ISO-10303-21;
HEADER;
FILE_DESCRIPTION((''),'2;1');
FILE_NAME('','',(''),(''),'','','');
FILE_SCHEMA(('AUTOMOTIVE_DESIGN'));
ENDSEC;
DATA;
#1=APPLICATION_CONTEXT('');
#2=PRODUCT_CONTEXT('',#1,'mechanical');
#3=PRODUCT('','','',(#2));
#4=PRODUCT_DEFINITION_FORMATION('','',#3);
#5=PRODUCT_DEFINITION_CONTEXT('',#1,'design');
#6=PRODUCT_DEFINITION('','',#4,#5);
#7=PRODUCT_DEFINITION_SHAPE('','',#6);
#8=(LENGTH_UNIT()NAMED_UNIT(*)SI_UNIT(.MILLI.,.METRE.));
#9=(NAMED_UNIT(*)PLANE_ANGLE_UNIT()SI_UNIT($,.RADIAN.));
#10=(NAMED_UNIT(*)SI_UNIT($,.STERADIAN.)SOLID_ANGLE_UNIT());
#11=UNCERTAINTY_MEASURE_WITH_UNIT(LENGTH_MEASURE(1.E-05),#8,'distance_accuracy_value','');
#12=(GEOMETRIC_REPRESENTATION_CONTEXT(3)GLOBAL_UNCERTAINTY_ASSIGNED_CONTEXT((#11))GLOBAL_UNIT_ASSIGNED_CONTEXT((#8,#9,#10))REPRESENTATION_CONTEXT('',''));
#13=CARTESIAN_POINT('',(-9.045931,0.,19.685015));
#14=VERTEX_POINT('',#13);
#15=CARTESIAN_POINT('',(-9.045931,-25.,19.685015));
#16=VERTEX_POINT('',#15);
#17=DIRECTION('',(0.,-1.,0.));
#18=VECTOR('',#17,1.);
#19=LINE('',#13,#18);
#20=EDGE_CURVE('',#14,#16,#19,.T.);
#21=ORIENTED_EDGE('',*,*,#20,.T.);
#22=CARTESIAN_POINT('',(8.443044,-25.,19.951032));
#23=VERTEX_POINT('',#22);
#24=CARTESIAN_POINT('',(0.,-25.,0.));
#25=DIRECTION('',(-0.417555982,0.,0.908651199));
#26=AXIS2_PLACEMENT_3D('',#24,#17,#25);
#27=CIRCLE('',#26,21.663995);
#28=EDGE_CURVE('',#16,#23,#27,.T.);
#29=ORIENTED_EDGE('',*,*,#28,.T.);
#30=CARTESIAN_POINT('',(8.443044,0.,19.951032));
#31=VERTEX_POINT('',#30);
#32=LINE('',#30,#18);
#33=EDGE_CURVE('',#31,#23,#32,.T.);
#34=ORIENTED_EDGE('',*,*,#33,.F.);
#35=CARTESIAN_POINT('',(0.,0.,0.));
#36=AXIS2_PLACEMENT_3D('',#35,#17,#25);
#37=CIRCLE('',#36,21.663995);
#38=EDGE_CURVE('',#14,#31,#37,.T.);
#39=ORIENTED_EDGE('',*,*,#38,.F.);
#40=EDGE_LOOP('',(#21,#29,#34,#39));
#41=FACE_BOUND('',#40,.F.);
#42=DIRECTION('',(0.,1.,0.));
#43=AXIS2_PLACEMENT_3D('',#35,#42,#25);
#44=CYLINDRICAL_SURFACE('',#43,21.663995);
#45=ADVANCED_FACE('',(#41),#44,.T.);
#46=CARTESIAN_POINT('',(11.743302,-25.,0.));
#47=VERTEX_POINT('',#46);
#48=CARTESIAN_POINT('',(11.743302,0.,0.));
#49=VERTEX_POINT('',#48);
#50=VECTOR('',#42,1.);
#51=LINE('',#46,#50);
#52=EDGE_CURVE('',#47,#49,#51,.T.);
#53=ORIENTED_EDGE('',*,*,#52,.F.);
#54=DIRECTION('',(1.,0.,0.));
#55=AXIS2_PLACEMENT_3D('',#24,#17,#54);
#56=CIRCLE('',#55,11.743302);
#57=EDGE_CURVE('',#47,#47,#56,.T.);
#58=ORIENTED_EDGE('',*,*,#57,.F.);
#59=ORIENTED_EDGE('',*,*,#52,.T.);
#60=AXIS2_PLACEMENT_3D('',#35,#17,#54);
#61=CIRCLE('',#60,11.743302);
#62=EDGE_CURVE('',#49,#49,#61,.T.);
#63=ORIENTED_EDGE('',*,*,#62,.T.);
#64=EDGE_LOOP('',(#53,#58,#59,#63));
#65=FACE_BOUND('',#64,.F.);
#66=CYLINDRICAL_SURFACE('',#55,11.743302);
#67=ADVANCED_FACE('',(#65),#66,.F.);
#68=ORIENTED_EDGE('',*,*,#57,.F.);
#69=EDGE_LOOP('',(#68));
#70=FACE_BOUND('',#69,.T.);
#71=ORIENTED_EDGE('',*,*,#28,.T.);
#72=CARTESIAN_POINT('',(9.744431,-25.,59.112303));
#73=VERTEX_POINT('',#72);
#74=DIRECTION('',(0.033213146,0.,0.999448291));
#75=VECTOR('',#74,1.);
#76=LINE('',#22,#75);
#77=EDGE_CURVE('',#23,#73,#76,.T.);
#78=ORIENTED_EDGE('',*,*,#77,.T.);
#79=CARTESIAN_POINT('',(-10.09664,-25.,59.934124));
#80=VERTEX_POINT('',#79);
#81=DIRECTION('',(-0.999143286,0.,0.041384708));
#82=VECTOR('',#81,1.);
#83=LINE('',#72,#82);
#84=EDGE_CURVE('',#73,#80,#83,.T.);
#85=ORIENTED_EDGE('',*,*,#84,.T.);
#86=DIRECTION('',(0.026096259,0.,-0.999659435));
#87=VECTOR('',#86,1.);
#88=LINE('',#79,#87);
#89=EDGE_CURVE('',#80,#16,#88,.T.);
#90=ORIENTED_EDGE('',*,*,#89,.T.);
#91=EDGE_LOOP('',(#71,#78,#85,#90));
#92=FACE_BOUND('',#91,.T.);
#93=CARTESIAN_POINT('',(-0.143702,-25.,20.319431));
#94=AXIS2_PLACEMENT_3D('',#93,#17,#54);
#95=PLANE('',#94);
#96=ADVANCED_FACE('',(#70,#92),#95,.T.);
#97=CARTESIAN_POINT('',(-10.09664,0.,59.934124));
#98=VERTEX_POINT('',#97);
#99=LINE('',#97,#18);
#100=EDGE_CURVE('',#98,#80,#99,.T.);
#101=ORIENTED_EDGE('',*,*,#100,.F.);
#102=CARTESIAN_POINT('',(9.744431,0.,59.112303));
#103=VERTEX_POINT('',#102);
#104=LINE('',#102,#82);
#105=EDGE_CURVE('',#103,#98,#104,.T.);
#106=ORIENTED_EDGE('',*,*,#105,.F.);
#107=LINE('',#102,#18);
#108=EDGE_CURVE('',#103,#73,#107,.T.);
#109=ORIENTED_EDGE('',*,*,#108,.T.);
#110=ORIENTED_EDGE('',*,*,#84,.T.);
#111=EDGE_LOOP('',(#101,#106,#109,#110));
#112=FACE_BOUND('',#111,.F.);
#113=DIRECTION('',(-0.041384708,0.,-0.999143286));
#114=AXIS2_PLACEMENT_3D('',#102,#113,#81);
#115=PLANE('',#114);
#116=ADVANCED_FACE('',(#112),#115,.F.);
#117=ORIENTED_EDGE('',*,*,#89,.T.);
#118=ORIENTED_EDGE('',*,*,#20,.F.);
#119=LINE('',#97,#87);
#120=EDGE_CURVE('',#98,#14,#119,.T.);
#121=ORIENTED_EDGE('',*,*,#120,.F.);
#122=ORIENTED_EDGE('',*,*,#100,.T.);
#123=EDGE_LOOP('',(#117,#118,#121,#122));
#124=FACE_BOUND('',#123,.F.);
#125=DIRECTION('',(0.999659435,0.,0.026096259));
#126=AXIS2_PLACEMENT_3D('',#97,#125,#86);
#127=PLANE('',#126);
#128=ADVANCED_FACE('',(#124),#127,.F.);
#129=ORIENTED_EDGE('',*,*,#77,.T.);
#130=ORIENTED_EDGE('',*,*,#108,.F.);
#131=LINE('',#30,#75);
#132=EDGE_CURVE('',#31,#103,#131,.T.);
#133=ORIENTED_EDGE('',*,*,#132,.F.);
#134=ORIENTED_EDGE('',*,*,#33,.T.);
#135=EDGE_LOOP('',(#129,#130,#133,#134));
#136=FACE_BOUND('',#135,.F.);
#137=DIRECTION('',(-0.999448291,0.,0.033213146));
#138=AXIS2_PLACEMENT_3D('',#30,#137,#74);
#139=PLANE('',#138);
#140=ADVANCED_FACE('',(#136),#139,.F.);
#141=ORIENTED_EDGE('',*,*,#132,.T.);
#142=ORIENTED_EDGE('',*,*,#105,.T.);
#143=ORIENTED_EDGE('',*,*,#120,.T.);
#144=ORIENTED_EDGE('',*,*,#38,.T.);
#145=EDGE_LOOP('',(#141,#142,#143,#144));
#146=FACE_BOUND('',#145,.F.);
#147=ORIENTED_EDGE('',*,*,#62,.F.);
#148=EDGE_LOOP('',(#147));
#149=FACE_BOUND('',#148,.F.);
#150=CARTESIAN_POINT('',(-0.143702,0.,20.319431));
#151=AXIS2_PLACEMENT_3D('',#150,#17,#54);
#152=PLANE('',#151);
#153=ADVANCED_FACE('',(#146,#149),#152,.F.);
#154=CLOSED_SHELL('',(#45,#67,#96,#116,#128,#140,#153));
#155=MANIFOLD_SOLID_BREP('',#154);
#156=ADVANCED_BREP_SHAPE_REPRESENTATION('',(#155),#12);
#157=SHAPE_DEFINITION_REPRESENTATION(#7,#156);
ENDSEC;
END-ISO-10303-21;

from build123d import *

# Parameters (mm, degrees)
F1_DEPTH = 25
F2_R     = 11.743302
F3_DEPTH = 25.001


with BuildPart() as f1:
    # F0 (on Front) → F1 (new body)
    with BuildSketch(Plane.XZ):
        with BuildLine():
            Line((-10.09664, 59.934124), (-9.045931, 19.685015))
            ThreePointArc((-9.045931, 19.685015), (0.329483, -21.661489), (8.443044, 19.951032))
            Line((8.443044, 19.951032), (9.744431, 59.112303))
            Line((9.744431, 59.112303), (-10.09664, 59.934124))
        make_face()
    extrude(amount=F1_DEPTH)

    # F2 (on face) → F3 (cut, through all)
    with BuildSketch(Plane.XZ.offset(25)):
        Circle(F2_R)
    extrude(amount=-F3_DEPTH, mode=Mode.SUBTRACT)


solid = f1.part
